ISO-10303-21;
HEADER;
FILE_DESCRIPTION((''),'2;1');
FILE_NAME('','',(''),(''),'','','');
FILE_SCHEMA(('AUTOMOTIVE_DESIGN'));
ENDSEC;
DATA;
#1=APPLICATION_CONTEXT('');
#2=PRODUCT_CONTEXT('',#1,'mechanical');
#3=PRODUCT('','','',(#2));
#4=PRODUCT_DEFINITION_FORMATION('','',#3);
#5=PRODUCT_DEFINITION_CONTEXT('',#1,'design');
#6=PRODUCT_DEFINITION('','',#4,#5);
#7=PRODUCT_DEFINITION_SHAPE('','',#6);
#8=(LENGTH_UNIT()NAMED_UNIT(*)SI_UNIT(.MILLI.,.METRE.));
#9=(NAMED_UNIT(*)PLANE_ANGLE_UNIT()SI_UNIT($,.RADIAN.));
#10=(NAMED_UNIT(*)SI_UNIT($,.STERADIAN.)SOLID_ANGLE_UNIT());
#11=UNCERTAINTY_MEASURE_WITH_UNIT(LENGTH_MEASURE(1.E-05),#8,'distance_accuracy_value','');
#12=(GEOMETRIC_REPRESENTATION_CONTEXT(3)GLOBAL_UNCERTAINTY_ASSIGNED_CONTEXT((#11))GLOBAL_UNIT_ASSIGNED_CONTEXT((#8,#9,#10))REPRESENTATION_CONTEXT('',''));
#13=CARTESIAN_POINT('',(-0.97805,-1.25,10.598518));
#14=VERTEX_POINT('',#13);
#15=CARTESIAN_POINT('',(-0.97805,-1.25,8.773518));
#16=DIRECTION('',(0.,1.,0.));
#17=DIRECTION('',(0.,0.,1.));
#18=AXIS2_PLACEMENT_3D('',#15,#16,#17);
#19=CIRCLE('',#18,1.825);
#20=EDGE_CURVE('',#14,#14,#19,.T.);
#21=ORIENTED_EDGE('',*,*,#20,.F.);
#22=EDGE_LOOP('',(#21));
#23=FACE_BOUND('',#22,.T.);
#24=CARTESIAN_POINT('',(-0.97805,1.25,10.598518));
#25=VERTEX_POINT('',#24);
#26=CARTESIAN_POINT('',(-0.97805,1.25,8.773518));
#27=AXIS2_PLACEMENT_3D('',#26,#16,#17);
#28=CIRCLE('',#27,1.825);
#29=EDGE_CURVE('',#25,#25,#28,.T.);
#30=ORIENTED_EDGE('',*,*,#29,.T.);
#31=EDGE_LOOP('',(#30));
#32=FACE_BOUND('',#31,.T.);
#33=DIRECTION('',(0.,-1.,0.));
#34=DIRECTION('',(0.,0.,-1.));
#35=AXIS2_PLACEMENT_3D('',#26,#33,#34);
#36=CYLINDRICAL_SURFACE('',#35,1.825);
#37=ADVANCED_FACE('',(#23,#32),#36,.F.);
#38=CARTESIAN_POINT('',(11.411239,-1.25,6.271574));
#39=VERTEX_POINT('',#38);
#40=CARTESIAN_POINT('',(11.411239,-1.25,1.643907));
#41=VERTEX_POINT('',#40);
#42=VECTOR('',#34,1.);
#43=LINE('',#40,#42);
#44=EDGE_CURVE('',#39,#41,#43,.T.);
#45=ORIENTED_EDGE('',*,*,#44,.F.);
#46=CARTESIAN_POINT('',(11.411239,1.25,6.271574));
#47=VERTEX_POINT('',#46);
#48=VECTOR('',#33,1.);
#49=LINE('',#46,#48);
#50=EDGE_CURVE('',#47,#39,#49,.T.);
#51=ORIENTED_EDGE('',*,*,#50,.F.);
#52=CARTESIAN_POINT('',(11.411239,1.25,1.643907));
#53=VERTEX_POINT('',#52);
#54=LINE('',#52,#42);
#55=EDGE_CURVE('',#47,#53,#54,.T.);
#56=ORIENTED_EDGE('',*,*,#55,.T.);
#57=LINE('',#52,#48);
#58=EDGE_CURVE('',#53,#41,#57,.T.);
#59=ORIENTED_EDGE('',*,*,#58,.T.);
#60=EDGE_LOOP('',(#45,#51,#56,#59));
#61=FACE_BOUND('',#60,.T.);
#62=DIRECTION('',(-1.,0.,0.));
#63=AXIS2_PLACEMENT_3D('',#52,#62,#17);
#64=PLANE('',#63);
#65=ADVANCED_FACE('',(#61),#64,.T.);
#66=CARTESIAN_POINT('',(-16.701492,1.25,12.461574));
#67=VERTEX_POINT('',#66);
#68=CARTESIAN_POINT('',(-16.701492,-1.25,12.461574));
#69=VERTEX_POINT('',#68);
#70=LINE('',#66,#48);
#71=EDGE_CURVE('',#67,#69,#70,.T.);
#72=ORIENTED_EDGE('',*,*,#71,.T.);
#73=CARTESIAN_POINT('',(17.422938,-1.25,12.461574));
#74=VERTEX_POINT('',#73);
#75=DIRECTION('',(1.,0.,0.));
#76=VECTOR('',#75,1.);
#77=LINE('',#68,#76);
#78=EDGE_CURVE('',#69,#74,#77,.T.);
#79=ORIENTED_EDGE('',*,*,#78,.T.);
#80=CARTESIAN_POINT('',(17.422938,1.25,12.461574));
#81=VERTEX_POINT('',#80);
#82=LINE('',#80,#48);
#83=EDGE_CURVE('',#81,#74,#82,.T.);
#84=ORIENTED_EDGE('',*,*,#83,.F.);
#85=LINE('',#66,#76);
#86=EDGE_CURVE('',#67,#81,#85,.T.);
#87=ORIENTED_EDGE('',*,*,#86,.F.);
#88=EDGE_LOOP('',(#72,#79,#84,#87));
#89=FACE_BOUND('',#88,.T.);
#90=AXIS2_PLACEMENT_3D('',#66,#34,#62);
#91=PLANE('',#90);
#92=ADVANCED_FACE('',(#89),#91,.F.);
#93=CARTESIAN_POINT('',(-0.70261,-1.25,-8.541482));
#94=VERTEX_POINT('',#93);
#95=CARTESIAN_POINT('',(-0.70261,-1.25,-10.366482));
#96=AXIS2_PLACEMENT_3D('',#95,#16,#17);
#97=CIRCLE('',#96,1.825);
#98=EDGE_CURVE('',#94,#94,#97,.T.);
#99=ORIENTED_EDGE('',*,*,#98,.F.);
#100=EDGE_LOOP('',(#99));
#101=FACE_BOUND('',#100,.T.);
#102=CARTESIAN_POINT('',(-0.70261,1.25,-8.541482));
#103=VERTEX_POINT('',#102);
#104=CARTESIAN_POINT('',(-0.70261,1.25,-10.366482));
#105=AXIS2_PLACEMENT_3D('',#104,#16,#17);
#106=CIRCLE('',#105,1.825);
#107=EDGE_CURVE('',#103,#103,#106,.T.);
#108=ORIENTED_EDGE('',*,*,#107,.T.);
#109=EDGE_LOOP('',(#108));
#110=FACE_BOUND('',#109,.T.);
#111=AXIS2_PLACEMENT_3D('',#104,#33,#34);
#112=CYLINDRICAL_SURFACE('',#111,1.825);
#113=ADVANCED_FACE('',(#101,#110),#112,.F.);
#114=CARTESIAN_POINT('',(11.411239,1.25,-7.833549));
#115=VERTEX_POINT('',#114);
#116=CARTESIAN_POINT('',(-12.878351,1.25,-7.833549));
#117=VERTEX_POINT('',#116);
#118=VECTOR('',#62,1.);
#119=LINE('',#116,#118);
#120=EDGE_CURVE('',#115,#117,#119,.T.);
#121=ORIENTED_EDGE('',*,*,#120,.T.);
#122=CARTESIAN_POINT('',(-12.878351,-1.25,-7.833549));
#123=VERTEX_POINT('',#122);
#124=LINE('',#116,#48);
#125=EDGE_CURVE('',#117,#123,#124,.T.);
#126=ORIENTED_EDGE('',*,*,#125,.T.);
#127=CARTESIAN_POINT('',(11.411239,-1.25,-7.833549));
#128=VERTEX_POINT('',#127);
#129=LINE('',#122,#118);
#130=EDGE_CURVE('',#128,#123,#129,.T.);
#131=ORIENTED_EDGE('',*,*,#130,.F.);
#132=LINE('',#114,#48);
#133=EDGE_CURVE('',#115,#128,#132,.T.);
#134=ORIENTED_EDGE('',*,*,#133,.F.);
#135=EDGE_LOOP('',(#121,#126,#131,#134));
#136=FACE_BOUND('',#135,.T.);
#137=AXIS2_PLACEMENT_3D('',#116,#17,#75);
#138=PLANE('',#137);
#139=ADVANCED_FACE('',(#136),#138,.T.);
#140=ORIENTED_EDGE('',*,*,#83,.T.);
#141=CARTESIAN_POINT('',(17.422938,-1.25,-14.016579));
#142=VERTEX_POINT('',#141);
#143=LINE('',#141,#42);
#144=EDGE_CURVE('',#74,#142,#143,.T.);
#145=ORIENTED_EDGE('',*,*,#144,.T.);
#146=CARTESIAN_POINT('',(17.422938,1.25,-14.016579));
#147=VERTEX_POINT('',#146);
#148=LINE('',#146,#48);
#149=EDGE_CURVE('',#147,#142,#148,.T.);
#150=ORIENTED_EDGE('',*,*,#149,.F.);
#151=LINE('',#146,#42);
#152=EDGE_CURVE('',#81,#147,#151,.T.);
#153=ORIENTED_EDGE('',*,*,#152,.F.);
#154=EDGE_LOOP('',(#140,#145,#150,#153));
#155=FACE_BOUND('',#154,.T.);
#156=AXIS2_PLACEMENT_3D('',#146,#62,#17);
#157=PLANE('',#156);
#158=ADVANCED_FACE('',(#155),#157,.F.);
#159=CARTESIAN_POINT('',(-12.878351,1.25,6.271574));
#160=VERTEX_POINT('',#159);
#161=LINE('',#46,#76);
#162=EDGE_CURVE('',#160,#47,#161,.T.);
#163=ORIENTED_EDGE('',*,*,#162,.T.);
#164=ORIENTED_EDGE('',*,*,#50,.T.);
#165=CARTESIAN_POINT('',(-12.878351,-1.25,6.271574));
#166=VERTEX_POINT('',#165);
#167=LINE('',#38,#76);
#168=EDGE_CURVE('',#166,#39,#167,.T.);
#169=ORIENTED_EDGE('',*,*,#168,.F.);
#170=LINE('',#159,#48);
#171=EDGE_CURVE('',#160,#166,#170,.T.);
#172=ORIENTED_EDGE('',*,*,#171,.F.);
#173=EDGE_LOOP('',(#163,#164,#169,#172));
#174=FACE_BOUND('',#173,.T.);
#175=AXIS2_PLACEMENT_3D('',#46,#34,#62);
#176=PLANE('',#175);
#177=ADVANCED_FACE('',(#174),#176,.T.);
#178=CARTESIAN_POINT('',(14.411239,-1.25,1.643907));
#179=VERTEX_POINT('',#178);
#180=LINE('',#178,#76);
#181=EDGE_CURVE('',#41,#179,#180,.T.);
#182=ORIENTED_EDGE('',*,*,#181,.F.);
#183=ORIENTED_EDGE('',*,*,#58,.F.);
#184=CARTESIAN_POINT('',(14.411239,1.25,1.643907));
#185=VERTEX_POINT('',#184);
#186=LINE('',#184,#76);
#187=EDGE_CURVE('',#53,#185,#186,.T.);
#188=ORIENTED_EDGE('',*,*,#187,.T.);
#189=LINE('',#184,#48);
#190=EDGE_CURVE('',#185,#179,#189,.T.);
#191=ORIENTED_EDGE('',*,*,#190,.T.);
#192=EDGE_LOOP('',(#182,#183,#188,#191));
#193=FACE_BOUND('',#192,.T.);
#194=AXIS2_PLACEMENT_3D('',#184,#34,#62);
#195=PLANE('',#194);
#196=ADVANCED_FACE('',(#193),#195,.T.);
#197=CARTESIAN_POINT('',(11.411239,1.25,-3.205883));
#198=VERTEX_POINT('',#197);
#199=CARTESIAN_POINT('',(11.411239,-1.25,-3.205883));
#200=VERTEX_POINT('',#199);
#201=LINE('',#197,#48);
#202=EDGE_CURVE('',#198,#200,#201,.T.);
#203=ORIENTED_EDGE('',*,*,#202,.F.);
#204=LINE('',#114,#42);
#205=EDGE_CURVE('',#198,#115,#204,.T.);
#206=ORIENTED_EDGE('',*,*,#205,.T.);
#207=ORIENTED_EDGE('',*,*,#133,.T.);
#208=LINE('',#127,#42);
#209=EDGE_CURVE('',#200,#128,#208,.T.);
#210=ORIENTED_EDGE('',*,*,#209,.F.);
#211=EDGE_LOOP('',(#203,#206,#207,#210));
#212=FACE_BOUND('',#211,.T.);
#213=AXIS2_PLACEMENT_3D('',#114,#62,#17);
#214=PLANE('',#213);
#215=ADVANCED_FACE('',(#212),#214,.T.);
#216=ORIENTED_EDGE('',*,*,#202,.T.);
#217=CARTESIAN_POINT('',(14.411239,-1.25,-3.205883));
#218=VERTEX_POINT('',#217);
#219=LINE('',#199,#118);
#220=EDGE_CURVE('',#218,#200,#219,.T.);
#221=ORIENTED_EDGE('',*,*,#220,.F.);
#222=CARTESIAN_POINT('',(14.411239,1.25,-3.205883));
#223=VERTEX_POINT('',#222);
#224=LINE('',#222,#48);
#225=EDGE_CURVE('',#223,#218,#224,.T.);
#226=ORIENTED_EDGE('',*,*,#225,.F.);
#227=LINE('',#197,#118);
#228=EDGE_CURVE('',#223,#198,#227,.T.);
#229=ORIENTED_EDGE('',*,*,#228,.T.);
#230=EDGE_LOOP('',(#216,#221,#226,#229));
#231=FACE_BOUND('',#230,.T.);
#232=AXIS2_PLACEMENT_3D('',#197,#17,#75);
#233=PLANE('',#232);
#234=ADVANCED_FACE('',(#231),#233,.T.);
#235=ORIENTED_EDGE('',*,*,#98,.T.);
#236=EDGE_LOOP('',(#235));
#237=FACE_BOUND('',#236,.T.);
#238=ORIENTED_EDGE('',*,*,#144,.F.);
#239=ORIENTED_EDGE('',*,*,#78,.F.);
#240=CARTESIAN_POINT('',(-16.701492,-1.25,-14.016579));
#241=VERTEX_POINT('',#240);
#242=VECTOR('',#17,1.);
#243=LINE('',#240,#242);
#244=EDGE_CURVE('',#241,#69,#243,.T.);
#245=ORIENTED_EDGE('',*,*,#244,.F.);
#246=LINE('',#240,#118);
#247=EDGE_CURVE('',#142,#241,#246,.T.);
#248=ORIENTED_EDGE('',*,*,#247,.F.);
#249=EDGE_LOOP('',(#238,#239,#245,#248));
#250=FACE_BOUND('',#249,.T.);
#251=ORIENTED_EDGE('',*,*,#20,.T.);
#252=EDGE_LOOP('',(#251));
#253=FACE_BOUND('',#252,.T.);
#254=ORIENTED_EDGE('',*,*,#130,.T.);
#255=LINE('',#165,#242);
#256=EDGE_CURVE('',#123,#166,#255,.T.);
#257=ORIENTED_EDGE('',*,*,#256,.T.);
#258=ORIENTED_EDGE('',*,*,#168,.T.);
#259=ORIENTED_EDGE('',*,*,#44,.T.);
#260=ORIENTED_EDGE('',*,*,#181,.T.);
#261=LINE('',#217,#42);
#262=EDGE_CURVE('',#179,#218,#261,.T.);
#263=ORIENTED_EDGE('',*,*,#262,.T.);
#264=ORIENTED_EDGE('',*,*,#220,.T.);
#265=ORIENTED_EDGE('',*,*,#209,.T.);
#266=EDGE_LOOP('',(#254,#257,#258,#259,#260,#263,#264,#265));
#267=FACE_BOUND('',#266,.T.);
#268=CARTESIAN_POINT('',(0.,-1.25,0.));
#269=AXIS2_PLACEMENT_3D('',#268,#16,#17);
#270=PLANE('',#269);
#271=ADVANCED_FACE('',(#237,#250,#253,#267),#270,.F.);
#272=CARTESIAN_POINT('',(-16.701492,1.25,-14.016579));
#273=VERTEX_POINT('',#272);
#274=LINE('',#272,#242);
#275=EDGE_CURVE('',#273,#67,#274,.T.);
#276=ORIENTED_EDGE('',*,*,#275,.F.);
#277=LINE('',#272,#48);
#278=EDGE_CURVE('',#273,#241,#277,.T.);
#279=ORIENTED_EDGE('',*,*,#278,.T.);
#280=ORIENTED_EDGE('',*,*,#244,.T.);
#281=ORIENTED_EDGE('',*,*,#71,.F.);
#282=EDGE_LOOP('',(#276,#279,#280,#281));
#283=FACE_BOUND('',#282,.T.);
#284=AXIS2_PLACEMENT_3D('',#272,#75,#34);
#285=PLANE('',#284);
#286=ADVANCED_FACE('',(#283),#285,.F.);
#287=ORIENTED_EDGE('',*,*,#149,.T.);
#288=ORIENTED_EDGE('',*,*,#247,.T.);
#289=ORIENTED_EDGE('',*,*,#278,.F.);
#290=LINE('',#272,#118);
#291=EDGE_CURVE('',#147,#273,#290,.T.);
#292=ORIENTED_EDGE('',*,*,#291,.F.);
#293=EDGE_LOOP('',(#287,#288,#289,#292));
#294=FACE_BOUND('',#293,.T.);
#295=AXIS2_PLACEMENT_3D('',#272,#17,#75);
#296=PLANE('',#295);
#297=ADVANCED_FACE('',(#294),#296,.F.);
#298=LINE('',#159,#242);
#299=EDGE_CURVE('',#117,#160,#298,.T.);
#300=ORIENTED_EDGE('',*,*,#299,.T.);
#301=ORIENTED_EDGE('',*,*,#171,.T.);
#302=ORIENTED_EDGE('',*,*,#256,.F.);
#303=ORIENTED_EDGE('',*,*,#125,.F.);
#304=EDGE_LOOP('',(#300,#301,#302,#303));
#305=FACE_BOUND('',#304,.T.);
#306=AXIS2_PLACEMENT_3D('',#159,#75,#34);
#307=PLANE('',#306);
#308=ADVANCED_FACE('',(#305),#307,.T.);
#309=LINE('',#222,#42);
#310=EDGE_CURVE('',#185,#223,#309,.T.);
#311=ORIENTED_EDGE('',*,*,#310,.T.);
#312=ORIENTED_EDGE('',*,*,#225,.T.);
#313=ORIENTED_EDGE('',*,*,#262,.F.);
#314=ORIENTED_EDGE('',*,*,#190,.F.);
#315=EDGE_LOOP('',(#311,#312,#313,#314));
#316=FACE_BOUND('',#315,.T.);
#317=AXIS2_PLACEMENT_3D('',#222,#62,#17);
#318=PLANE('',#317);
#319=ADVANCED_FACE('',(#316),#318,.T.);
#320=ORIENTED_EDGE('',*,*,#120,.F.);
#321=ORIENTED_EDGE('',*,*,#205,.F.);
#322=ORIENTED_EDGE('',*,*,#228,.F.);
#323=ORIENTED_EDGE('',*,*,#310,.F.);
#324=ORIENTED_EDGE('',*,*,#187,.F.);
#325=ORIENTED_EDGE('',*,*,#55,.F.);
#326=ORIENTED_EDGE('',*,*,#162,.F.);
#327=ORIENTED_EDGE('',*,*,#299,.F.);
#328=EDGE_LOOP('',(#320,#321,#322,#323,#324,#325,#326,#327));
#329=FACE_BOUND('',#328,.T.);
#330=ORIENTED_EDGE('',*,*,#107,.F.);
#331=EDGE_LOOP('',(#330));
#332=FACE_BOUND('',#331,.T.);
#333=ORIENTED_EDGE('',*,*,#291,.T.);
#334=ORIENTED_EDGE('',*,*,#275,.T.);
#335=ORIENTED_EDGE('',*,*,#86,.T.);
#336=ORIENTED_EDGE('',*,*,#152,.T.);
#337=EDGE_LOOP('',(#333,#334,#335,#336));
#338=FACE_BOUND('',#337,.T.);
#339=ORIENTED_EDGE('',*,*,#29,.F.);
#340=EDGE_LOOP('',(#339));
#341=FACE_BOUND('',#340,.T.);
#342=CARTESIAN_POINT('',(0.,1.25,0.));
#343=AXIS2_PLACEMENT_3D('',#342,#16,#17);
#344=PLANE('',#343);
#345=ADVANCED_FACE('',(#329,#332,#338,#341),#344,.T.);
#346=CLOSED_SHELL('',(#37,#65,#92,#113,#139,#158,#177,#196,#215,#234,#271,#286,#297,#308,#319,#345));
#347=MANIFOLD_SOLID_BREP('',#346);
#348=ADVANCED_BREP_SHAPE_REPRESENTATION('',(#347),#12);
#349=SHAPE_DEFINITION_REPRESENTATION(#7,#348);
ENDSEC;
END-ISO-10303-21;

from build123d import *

# Parameters (mm, degrees)
SKETCH2_W           = 34.12443
SKETCH2_H           = 26.478152769
SKETCH2_R           = 1.825
BOSS_EXTRUDE1_DEPTH = 1.25


with BuildPart() as part:
    # Sketch2 → Boss-Extrude1 (new, symmetric)
    with BuildSketch(Plane(origin=(0, 0, 0), x_dir=(1, 0, 0), z_dir=(0, 1, 0))):
        with Locations((0.360723362, 0.777502601)):
            Rectangle(SKETCH2_W, SKETCH2_H)
        with Locations(Location((-0.702610465, 10.366481865, 0), (0, 0, 270))):
            Circle(SKETCH2_R, mode=Mode.SUBTRACT)
        with Locations(Location((-0.97805, -8.773518135, 0), (0, 0, 270))):
            Circle(SKETCH2_R, mode=Mode.SUBTRACT)
        Polygon((-12.878350873, 7.83354898), (11.411239127, 7.83354898), (11.411239127, 3.2058826), (14.411239127, 3.2058826), (14.411239127, -1.6439074), (11.411239127, -1.6439074), (11.411239127, -6.27157378), (-12.878350873, -6.27157378), align=None, mode=Mode.SUBTRACT)
    extrude(amount=BOSS_EXTRUDE1_DEPTH, both=True)


solid = part.part
